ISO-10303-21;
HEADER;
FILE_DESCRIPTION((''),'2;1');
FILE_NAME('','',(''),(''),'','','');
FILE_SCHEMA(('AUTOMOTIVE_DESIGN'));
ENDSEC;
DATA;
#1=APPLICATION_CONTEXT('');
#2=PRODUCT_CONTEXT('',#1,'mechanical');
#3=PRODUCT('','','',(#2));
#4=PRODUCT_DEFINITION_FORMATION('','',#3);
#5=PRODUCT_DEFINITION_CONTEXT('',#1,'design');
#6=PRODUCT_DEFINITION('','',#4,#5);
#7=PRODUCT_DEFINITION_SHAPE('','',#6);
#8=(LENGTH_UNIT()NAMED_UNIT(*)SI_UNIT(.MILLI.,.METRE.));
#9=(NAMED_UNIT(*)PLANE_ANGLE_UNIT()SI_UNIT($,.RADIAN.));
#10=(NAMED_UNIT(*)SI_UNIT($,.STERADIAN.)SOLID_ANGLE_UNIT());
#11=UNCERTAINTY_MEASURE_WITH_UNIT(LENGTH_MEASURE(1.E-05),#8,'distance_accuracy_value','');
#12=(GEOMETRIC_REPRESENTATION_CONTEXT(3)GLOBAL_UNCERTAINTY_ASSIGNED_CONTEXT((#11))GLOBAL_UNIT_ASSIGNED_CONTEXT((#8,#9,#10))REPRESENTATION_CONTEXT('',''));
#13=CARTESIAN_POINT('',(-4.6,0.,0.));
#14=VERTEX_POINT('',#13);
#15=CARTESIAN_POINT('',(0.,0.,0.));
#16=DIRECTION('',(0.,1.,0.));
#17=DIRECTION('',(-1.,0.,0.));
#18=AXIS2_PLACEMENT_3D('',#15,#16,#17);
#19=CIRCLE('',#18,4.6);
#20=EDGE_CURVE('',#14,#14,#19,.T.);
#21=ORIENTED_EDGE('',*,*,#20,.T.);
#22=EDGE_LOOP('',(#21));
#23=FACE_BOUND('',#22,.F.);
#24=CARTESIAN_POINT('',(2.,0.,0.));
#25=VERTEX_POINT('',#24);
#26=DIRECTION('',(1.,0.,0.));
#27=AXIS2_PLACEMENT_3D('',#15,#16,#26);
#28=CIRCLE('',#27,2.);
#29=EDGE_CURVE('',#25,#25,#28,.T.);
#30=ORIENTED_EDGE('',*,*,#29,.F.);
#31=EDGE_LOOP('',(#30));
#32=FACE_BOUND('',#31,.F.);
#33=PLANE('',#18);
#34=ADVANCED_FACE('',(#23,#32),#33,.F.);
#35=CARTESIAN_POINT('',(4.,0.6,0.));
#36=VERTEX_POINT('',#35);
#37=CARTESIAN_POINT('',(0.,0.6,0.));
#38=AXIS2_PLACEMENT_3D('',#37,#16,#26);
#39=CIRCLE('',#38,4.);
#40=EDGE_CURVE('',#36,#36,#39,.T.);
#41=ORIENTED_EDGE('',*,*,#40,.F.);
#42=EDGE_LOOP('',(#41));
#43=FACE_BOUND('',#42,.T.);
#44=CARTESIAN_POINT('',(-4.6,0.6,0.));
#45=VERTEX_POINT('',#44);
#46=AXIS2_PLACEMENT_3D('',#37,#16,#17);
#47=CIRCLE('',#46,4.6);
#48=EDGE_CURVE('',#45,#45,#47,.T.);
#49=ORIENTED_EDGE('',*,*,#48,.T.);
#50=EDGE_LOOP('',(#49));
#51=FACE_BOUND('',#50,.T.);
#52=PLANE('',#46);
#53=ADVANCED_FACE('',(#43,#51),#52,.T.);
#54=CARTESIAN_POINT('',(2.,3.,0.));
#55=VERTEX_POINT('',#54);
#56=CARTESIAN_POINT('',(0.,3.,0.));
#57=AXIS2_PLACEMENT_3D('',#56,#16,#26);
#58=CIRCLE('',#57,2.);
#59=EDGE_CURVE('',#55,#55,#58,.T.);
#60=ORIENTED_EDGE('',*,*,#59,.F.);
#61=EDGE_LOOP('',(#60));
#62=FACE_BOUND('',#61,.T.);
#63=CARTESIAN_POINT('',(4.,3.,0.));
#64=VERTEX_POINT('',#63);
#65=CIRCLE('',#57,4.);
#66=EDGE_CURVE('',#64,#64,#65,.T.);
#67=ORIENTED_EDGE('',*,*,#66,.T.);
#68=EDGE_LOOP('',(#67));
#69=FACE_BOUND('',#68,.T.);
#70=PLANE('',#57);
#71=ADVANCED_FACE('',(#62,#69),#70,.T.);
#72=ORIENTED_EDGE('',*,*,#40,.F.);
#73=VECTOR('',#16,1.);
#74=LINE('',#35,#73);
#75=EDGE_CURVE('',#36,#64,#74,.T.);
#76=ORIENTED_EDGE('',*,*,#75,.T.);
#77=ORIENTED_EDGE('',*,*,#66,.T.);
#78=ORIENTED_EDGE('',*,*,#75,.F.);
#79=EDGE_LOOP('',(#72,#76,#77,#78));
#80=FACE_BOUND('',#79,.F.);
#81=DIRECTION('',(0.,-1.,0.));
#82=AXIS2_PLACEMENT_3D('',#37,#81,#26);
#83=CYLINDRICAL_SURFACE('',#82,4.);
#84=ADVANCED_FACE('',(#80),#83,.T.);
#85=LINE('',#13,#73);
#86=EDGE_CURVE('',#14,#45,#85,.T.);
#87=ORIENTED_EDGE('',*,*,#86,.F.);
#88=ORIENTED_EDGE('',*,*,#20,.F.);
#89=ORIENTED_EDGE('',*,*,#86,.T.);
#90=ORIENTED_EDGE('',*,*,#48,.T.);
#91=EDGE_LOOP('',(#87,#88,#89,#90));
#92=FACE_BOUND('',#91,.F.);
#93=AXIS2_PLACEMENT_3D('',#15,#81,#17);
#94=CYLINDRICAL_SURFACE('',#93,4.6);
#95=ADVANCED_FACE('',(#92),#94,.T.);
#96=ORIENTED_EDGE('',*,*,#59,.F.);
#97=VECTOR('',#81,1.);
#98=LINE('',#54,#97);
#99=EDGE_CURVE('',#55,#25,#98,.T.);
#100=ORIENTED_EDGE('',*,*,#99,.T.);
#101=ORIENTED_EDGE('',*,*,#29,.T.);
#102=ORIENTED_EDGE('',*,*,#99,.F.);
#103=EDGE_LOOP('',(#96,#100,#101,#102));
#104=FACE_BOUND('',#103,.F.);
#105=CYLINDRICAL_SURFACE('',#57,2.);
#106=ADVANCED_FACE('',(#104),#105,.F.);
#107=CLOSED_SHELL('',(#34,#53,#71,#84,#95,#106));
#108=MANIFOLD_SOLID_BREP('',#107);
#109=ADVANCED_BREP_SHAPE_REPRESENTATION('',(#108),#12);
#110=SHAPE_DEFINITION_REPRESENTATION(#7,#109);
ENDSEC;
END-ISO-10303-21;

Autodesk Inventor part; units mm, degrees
ref_plane "YZ Plane" through (0, 0, 0) normal (1, 0, 0) x (0, 1, 0)
ref_plane "XZ Plane" through (0, 0, 0) normal (0, 1, 0) x (-1, 0, 0)
ref_plane "XY Plane" through (0, 0, 0) normal (0, 0, 1) x (1, 0, 0)
sketch "Sketch1" plane through (0, 0, 0) normal (0, 1, 0) x (-1, 0, 0)
  circle A0 centre (0, 0) radius 4.6
  dimension "d0" = 9.2
extrude "Extrusion1" add sketch "Sketch1" along normal blind 0.6
sketch "Sketch2" plane through (0, 0.6, 0) normal (0, 1, 0) x (1, 0, 0)
  circle A0 centre (0, 0) radius 4
  dimension "d3" = 8
extrude "Extrusion2" add sketch "Sketch2" along normal blind 2.4
sketch "Sketch3" plane through (0, 3, 0) normal (0, 1, 0) x (1, 0, 0)
  circle A0 centre (0, 0) radius 2
  dimension "d6" = 4
extrude "Extrusion3" cut sketch "Sketch3" against normal through all
equation "\"d7\" = d6"
properties part number "bearing_8_4_3_flanged"
